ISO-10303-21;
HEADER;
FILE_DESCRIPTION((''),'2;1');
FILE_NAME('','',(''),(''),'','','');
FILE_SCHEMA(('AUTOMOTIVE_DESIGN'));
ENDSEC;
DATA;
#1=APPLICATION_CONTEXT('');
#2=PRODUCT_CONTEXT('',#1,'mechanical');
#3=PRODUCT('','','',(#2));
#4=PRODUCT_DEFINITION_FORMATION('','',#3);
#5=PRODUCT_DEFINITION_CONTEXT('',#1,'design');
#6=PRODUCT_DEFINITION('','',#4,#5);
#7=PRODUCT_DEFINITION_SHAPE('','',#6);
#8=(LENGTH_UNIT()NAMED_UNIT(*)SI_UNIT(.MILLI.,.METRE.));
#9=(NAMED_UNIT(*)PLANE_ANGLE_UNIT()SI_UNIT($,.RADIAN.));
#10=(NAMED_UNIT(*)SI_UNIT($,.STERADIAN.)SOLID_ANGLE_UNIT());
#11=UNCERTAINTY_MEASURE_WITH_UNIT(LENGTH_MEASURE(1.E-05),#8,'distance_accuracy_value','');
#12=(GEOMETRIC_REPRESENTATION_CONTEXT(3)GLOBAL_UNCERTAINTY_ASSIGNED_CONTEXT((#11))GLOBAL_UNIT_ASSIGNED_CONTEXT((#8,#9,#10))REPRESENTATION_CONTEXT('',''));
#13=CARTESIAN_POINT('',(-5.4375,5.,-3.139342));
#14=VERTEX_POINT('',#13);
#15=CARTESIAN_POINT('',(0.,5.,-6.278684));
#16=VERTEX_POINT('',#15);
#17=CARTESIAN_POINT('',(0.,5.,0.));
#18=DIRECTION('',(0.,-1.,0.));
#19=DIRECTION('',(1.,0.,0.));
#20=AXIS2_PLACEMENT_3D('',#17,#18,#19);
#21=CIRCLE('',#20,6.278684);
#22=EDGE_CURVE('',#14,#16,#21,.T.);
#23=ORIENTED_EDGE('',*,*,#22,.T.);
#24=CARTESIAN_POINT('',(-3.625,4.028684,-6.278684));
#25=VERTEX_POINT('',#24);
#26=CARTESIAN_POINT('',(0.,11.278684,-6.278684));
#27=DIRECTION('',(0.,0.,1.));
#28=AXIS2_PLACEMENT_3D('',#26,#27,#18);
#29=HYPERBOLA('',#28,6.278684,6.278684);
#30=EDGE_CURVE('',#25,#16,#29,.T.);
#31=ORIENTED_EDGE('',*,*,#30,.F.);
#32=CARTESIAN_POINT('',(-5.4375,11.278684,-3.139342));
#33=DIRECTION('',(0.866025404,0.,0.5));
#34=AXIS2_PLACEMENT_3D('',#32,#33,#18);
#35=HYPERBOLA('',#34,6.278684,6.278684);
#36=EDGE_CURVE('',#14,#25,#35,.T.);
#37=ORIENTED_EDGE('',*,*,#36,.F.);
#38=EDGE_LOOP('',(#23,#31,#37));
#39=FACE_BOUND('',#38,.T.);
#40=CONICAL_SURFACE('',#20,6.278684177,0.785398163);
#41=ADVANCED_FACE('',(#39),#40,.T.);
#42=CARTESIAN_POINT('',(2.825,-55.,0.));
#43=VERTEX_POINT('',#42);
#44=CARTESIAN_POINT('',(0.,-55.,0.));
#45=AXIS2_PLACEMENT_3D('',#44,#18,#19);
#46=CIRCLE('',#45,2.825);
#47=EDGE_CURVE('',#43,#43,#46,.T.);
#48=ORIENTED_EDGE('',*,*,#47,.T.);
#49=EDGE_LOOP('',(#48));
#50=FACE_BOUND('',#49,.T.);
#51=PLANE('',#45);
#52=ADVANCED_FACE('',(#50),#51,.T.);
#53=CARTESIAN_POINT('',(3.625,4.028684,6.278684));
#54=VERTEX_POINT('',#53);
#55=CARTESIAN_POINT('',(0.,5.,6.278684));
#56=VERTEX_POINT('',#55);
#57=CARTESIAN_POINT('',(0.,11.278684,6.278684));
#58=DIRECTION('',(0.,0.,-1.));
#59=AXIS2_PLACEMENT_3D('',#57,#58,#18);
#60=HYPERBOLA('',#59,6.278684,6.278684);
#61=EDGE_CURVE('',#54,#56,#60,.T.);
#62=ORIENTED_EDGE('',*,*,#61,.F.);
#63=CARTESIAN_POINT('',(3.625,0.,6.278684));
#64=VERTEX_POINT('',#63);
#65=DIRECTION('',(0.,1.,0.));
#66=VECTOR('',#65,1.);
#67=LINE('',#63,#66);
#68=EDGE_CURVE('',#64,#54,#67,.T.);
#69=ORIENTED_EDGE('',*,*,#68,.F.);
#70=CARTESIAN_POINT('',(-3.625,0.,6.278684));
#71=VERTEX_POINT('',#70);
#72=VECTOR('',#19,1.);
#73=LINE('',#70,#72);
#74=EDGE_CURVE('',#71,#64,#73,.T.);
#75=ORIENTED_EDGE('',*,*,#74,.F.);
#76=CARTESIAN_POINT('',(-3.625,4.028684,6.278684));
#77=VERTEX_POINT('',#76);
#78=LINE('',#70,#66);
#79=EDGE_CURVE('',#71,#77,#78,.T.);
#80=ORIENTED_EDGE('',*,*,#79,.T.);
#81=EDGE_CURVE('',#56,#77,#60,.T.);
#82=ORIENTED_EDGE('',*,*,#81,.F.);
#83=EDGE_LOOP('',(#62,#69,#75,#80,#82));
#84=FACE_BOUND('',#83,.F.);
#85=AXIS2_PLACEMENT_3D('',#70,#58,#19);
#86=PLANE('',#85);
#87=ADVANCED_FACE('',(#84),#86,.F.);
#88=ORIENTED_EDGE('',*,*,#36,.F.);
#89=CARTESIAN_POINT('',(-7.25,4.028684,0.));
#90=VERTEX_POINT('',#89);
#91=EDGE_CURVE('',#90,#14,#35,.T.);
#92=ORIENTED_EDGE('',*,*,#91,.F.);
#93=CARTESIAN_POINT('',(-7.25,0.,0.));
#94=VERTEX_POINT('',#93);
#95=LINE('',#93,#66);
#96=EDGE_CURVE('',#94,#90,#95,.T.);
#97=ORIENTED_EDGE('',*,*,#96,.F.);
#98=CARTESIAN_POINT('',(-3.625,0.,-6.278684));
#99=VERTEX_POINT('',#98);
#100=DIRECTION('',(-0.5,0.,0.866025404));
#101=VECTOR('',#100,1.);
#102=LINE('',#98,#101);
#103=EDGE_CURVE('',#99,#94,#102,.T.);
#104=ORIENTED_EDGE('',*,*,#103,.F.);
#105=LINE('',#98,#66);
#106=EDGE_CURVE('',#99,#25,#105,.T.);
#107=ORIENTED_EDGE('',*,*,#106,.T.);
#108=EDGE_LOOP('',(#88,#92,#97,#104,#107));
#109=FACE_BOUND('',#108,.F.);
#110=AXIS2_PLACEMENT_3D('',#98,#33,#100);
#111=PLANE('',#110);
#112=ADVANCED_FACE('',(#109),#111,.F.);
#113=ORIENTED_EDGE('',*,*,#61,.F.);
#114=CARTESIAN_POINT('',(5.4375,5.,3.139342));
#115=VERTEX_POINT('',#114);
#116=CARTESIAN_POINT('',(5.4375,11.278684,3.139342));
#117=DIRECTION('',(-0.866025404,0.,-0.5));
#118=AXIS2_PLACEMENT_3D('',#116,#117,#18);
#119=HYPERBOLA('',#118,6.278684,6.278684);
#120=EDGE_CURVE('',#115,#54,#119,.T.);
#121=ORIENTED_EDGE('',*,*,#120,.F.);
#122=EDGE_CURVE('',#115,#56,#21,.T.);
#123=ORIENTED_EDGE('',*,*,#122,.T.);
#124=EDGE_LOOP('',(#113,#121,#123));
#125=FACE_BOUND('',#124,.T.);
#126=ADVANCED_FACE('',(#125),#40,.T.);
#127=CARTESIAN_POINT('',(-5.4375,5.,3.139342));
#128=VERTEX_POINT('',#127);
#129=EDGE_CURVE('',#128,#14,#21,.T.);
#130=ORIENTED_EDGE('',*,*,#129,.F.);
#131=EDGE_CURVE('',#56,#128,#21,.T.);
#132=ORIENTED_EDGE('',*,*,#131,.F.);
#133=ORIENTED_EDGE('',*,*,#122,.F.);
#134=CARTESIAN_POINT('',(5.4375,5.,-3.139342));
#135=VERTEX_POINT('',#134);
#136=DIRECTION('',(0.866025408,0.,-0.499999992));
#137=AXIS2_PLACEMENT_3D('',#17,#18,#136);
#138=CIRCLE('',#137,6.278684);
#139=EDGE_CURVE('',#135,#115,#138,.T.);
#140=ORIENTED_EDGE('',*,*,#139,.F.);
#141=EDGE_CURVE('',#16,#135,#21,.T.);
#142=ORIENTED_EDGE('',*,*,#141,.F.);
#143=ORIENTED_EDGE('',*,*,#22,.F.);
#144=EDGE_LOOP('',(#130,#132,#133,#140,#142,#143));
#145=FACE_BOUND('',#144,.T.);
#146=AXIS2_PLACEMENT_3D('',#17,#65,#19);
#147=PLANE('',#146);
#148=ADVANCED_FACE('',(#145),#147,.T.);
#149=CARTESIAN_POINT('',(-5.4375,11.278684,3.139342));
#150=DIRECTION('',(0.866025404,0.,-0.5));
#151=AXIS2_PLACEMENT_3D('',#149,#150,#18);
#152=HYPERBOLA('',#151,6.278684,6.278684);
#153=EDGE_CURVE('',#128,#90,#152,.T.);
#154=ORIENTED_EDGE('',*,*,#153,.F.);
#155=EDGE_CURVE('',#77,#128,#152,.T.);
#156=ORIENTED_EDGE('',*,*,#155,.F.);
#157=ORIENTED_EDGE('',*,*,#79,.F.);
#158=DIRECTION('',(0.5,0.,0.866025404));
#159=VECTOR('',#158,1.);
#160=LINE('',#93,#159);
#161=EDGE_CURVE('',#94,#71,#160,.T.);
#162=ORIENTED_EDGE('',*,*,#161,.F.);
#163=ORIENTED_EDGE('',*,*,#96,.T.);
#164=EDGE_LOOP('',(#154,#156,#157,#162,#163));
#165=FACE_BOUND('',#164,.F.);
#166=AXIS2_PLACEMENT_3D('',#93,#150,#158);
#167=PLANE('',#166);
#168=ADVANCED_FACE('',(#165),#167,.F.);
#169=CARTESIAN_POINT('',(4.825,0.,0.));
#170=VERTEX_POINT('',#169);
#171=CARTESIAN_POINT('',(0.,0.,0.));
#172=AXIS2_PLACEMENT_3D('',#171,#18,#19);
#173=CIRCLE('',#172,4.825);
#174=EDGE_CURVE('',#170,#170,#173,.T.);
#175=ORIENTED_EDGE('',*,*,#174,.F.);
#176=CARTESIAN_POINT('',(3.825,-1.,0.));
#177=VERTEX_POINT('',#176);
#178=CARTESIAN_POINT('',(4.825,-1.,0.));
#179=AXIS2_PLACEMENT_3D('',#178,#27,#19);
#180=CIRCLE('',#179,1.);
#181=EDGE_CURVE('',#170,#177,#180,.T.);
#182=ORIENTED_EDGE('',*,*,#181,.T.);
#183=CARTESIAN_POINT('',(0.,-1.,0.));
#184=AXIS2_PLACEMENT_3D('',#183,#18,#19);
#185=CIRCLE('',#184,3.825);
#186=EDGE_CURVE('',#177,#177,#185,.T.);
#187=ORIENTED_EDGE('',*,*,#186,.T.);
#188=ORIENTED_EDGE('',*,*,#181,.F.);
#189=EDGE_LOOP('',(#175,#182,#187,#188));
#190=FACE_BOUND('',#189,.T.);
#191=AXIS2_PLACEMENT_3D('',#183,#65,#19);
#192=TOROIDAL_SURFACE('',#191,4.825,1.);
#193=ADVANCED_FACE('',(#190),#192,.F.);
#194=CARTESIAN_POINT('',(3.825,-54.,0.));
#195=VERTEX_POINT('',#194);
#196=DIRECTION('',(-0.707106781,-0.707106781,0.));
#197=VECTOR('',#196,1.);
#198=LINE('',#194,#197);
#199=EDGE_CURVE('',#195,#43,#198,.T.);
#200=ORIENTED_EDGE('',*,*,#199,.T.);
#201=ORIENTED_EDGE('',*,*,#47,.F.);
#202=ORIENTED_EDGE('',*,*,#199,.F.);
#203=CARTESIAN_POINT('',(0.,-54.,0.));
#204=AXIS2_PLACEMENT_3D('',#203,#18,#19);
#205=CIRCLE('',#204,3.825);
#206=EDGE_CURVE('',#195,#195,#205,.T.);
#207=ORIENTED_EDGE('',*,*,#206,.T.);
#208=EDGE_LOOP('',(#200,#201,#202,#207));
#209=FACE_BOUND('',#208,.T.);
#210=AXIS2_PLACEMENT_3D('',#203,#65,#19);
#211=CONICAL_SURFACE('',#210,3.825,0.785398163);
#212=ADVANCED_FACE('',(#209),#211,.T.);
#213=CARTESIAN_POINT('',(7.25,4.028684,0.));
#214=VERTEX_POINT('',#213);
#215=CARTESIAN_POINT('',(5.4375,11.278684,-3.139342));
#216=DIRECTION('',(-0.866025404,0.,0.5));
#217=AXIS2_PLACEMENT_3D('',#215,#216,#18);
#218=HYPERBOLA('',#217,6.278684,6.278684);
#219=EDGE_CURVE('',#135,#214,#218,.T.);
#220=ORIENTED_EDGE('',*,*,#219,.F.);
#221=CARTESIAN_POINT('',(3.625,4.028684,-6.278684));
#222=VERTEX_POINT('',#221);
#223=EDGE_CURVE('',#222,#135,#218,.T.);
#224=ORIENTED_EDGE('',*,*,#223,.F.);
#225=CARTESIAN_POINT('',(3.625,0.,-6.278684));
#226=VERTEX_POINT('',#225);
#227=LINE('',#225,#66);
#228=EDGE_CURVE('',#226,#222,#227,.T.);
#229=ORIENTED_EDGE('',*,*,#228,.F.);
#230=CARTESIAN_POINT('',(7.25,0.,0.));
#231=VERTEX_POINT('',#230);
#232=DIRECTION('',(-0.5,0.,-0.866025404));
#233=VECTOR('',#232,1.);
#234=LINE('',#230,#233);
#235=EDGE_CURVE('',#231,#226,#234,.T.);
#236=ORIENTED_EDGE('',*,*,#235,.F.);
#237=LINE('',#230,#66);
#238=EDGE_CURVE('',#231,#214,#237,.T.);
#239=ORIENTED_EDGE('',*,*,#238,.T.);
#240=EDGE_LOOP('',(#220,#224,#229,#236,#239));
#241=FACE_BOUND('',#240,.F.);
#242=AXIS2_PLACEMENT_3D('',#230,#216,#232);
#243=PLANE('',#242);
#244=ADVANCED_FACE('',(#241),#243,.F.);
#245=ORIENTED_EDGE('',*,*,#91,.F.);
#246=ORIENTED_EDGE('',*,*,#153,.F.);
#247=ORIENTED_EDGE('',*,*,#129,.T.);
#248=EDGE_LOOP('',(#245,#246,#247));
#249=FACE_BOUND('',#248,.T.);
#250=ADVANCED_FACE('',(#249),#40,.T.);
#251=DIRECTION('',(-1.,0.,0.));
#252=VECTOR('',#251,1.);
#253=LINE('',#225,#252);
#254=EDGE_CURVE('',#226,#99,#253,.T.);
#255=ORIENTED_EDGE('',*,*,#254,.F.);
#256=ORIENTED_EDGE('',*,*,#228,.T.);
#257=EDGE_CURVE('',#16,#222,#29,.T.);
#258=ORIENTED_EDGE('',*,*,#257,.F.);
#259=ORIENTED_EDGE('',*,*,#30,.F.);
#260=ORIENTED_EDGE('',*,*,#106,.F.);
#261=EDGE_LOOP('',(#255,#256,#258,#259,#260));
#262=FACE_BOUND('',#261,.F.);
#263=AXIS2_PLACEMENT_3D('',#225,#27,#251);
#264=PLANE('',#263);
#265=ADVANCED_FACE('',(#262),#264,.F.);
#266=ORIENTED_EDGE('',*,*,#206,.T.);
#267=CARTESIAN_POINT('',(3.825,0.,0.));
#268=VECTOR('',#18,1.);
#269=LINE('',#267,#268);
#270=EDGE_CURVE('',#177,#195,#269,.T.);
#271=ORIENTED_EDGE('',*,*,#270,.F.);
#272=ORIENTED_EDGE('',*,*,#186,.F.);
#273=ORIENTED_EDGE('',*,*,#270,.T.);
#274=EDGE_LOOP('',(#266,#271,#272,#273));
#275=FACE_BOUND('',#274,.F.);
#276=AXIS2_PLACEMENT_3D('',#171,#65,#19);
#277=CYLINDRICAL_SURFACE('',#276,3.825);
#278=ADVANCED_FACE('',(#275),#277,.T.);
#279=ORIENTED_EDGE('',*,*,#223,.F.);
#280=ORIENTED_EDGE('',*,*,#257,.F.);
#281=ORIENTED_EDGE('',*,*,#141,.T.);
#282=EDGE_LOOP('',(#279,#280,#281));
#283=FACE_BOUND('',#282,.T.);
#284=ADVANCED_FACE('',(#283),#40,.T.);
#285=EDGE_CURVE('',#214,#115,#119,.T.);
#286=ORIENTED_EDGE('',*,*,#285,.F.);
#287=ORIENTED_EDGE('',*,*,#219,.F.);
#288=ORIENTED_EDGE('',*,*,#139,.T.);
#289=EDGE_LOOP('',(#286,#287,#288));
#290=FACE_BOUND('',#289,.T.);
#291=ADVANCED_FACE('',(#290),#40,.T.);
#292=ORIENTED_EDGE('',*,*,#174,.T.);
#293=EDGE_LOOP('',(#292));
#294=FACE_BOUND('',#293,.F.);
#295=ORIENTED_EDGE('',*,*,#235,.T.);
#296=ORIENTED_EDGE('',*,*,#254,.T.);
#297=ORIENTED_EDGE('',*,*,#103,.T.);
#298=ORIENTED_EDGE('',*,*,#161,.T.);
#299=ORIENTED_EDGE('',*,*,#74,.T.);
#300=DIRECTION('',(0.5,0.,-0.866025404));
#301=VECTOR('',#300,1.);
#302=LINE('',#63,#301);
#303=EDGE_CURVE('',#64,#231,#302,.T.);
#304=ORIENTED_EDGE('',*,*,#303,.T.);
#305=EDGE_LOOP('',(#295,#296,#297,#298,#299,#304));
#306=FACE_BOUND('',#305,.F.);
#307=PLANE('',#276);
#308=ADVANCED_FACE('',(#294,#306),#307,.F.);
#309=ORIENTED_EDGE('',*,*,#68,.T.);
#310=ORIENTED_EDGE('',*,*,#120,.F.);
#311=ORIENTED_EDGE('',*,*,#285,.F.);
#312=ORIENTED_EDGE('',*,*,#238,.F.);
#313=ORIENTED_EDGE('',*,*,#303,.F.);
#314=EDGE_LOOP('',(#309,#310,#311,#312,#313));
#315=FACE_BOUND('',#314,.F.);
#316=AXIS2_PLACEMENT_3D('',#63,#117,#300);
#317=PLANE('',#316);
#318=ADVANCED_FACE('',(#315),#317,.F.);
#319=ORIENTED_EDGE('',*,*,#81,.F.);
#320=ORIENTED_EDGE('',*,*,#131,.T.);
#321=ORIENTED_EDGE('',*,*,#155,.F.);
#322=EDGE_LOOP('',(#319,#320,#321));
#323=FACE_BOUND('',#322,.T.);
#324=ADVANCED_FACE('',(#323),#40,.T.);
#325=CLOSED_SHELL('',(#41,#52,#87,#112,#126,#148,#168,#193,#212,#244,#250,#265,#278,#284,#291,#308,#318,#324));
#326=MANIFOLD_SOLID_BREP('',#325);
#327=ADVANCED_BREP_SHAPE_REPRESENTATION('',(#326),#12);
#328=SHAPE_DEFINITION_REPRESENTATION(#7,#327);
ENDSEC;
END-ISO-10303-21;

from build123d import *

# Parameters (mm, degrees)
EXTRUDE_1_DEPTH     = 5
SKETCH_8_OUTSIDE_W  = 22.464
SKETCH_8_OUTSIDE_H  = 20.522
SKETCH_8_OUTSIDE_R  = 6.278684177
CUT_EXTRUDE_1_DEPTH = 1
CUT_EXTRUDE_1_TAPER = 45
SKETCH_9_R          = 3.825
BOLT_LENGTH_DEPTH   = 55
FILLET_1_R          = 1
CHAMFER_1_SIZE      = 1


with BuildPart() as part:
    # Эскиз6 → Бобышка-Вытянуть1 (new body)
    with BuildSketch(Plane(origin=(0, 0, 0), x_dir=(1, 0, 0), z_dir=(0, 1, 0))):
        Polygon((7.25, 0), (3.625, 6.278684177), (-3.625, 6.278684177), (-7.25, 0), (-3.625, -6.278684177), (3.625, -6.278684177), align=None)
    extrude(amount=EXTRUDE_1_DEPTH)

    # Эскиз8 outside → Вырез-Вытянуть1 (cut)
    with BuildSketch(Plane(origin=(0, 5, 0), x_dir=(1, 0, 0), z_dir=(0, 1, 0))):
        Rectangle(SKETCH_8_OUTSIDE_W, SKETCH_8_OUTSIDE_H)
        Circle(SKETCH_8_OUTSIDE_R, mode=Mode.SUBTRACT)
    extrude(amount=-CUT_EXTRUDE_1_DEPTH, taper=CUT_EXTRUDE_1_TAPER, mode=Mode.SUBTRACT)

    # Эскиз9 → bolt length (add)
    with BuildSketch(Plane.XZ):
        Circle(SKETCH_9_R)
    extrude(amount=BOLT_LENGTH_DEPTH)

    # Скругление1
    fillet_1_edges = [part.edges().sort_by_distance(p)[0] for p in [
        (-3.825, 0, 0),
    ]]
    fillet(fillet_1_edges, radius=FILLET_1_R)

    # Фаска1
    chamfer_1_edges = [part.edges().sort_by_distance(p)[0] for p in [
        (-3.825, -55, 0),
    ]]
    chamfer(chamfer_1_edges, length=CHAMFER_1_SIZE)


solid = part.part
